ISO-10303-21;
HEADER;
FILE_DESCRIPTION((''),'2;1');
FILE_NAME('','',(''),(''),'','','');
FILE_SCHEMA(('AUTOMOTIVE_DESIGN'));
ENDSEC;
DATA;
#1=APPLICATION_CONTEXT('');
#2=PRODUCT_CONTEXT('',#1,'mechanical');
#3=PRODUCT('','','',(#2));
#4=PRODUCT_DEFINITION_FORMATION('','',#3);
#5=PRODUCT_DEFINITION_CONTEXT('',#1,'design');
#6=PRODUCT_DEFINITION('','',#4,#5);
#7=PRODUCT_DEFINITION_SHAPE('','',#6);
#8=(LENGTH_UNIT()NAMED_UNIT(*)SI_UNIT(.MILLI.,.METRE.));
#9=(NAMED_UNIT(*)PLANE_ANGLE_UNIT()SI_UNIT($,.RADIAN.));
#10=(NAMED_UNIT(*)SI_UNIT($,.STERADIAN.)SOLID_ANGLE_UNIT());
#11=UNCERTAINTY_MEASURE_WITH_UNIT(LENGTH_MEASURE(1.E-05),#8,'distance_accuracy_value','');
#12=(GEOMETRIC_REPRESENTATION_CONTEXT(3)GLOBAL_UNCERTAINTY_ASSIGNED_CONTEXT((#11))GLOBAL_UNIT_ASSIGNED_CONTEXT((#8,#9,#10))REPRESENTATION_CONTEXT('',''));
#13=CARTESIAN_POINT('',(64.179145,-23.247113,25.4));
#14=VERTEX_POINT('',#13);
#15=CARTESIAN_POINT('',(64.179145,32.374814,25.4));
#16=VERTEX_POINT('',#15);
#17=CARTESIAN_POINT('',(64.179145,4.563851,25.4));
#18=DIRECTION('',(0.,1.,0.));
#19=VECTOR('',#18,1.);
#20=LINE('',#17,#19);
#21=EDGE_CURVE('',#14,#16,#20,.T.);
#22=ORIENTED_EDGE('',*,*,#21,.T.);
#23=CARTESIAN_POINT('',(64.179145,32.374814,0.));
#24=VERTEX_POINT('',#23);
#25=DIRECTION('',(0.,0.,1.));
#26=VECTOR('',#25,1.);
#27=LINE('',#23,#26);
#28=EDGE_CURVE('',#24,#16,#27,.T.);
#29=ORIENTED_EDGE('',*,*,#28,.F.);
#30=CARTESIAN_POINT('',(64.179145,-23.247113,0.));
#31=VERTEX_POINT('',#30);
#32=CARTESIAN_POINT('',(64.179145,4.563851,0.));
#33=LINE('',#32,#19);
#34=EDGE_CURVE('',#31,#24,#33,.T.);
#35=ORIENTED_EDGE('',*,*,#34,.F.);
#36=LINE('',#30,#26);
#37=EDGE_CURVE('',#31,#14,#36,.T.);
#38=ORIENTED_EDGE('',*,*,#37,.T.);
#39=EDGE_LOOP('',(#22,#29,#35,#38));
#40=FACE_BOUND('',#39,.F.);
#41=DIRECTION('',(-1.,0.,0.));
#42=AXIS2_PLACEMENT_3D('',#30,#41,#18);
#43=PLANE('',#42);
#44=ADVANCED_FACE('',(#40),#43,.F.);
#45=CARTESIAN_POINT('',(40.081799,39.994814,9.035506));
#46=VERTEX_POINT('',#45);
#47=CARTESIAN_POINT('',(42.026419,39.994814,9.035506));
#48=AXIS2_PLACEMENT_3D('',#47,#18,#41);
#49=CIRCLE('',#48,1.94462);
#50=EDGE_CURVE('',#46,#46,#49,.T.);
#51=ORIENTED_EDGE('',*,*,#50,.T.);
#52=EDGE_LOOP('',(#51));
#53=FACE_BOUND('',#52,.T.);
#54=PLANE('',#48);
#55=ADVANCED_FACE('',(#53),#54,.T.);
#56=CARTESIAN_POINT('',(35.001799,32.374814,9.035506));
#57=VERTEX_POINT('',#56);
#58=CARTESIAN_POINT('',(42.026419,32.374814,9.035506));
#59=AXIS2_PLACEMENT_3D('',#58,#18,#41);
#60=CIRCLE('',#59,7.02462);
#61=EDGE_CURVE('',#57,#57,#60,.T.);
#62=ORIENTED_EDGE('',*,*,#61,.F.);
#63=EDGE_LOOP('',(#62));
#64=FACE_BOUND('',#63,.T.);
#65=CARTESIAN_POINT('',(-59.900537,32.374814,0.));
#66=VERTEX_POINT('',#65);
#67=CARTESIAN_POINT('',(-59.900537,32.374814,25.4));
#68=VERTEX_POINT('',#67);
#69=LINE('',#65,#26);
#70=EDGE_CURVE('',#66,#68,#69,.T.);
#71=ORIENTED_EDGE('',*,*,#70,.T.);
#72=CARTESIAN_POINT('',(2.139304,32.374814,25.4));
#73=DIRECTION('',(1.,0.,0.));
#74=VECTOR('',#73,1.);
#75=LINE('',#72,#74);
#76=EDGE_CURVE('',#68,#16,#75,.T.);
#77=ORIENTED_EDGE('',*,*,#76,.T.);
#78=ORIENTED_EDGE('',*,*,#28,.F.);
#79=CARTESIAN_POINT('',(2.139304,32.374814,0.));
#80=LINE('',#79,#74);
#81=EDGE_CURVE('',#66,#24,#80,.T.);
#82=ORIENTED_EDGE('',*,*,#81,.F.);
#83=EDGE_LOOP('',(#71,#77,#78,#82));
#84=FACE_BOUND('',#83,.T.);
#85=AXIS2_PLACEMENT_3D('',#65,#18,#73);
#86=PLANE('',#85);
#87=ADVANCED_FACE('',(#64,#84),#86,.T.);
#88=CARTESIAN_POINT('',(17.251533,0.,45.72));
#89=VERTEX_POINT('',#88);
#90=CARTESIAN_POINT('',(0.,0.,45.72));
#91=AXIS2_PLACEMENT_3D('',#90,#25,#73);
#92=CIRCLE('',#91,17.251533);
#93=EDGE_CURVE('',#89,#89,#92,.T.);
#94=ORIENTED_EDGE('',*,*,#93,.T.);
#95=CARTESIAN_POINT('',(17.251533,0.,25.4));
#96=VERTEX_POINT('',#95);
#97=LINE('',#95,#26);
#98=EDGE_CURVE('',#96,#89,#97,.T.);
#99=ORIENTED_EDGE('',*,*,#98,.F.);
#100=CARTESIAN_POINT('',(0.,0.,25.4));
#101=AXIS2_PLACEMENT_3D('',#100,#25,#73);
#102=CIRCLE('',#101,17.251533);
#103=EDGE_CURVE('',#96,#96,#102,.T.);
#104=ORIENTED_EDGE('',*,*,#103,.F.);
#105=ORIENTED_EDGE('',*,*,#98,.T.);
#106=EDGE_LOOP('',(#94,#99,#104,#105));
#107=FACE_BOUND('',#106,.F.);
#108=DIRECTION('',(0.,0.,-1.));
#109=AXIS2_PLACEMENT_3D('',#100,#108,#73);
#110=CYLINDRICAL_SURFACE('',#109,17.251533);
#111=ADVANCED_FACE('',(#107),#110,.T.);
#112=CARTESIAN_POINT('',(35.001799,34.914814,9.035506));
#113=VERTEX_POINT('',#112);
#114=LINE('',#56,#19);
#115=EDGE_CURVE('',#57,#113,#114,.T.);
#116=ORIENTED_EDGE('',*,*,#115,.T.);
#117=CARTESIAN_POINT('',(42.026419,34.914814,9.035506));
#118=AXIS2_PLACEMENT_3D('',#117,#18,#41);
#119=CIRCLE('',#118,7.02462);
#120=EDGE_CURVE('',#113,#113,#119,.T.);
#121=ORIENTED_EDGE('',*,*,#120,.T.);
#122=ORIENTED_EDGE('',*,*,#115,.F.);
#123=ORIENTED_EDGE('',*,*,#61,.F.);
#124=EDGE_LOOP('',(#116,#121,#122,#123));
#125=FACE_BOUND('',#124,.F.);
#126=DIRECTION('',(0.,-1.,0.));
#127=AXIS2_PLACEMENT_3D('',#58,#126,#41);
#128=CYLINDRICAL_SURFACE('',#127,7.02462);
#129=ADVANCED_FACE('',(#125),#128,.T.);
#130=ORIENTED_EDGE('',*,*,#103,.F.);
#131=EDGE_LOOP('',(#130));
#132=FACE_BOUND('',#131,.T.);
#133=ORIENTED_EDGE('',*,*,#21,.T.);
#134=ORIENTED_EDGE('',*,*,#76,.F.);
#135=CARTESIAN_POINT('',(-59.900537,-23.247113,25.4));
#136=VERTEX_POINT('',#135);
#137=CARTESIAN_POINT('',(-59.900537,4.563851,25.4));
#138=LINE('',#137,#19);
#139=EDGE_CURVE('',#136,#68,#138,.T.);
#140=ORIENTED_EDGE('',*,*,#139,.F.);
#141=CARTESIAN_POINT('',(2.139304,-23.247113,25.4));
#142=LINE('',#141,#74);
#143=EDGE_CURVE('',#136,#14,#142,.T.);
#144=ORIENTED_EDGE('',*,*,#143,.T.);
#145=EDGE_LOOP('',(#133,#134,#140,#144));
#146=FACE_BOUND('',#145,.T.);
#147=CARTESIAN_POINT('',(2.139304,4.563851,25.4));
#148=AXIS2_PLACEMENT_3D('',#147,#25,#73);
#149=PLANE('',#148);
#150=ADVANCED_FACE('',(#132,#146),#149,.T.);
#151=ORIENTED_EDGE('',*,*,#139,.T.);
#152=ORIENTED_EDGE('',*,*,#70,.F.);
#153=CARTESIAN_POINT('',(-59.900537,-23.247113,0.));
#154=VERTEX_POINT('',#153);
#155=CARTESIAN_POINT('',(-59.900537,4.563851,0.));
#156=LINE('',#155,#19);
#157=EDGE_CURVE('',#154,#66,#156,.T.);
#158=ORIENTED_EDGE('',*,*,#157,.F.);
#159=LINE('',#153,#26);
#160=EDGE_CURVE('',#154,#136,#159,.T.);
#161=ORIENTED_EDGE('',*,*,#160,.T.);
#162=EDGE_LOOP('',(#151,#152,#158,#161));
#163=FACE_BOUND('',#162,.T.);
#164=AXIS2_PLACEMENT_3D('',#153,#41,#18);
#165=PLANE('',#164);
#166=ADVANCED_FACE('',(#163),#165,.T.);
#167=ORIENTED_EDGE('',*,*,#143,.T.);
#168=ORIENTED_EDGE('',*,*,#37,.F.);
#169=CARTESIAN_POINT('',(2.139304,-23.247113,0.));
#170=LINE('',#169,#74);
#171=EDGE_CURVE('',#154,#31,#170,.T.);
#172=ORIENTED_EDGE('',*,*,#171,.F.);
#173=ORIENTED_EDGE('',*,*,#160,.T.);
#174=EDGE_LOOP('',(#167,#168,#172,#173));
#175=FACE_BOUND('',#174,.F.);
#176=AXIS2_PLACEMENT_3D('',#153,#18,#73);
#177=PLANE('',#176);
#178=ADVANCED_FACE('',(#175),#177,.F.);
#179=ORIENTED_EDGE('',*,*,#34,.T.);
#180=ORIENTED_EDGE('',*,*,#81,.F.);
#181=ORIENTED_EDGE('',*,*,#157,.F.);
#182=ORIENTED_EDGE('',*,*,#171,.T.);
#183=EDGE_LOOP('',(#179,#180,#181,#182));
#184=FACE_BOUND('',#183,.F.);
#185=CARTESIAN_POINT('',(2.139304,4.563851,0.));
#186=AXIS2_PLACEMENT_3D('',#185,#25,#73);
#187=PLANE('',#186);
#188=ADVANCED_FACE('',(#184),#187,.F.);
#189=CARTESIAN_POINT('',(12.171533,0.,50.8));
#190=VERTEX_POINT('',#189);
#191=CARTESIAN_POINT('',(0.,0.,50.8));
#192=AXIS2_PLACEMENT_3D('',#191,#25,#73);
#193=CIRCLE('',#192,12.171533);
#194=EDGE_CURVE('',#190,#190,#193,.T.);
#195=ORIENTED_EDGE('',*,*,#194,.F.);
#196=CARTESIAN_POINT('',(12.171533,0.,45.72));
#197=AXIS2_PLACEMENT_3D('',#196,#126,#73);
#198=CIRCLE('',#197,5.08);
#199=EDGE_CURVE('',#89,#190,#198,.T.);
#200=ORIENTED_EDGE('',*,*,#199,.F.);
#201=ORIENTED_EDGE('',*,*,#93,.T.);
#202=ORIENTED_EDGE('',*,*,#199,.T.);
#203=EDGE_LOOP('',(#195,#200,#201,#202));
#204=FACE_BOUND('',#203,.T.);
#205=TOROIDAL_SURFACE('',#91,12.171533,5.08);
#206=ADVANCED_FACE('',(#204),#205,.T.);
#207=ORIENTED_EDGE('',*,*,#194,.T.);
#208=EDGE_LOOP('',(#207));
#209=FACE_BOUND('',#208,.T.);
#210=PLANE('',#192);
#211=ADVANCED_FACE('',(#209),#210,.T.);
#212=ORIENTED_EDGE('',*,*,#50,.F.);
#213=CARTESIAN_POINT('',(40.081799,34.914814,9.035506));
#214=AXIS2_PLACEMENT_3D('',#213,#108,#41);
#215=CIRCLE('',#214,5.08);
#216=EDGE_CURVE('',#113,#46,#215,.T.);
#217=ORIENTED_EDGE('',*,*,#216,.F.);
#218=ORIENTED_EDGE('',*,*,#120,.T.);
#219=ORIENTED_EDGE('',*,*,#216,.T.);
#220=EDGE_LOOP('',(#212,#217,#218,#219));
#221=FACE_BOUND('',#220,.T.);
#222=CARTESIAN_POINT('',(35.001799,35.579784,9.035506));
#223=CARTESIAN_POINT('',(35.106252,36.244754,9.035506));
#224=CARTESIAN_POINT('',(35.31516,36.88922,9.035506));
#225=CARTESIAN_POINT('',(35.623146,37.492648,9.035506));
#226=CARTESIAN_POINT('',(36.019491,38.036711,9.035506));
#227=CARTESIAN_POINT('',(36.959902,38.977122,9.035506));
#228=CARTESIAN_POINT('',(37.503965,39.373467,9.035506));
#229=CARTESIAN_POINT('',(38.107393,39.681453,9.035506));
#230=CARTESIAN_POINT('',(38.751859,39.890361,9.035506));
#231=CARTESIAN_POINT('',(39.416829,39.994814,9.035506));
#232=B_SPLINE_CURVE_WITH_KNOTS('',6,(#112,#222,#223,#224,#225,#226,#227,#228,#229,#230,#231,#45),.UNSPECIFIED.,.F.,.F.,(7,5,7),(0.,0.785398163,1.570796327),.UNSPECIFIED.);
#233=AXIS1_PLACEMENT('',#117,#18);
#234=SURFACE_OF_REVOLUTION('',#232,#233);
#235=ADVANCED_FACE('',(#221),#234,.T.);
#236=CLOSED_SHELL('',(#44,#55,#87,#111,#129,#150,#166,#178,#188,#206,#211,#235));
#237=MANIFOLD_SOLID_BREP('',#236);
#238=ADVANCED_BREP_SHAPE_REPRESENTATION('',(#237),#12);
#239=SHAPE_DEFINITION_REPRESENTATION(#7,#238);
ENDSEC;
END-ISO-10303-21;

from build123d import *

# Parameters (mm, degrees)
F0_W     = 124.079682
F0_H     = 55.621927
F1_DEPTH = 25.4
F2_R     = 17.251533
F3_DEPTH = 25.4
F4_R     = 5.08
F5_R     = 7.02462
F6_DEPTH = 7.62
F7_R     = 5.08


with BuildPart() as f1:
    # F0 (on Top) → F1 (new body)
    with BuildSketch(Plane.XY):
        with Locations((2.139304, 4.563851)):
            Rectangle(F0_W, F0_H)
    extrude(amount=F1_DEPTH)

    # F2 (on face) → F3 (join)
    with BuildSketch(Plane.XY.offset(25.4)):
        Circle(F2_R)
    extrude(amount=F3_DEPTH)

    # F4
    f4_edges = [f1.edges().sort_by_distance(p)[0] for p in [
        (-17.251533, 0, 50.8),
    ]]
    fillet(f4_edges, radius=F4_R)

    # F5 (on face) → F6 (join)
    with BuildSketch(Plane(origin=(0, 32.374814, 0), x_dir=(-1, 0, 0), z_dir=(0, 1, 0))):
        with Locations((-42.026419, 9.035506)):
            Circle(F5_R)
    extrude(amount=F6_DEPTH)

    # F7
    f7_edges = [f1.edges().sort_by_distance(p)[0] for p in [
        (49.051039, 39.994814, 9.035506),
    ]]
    fillet(f7_edges, radius=F7_R)


solid = f1.part
